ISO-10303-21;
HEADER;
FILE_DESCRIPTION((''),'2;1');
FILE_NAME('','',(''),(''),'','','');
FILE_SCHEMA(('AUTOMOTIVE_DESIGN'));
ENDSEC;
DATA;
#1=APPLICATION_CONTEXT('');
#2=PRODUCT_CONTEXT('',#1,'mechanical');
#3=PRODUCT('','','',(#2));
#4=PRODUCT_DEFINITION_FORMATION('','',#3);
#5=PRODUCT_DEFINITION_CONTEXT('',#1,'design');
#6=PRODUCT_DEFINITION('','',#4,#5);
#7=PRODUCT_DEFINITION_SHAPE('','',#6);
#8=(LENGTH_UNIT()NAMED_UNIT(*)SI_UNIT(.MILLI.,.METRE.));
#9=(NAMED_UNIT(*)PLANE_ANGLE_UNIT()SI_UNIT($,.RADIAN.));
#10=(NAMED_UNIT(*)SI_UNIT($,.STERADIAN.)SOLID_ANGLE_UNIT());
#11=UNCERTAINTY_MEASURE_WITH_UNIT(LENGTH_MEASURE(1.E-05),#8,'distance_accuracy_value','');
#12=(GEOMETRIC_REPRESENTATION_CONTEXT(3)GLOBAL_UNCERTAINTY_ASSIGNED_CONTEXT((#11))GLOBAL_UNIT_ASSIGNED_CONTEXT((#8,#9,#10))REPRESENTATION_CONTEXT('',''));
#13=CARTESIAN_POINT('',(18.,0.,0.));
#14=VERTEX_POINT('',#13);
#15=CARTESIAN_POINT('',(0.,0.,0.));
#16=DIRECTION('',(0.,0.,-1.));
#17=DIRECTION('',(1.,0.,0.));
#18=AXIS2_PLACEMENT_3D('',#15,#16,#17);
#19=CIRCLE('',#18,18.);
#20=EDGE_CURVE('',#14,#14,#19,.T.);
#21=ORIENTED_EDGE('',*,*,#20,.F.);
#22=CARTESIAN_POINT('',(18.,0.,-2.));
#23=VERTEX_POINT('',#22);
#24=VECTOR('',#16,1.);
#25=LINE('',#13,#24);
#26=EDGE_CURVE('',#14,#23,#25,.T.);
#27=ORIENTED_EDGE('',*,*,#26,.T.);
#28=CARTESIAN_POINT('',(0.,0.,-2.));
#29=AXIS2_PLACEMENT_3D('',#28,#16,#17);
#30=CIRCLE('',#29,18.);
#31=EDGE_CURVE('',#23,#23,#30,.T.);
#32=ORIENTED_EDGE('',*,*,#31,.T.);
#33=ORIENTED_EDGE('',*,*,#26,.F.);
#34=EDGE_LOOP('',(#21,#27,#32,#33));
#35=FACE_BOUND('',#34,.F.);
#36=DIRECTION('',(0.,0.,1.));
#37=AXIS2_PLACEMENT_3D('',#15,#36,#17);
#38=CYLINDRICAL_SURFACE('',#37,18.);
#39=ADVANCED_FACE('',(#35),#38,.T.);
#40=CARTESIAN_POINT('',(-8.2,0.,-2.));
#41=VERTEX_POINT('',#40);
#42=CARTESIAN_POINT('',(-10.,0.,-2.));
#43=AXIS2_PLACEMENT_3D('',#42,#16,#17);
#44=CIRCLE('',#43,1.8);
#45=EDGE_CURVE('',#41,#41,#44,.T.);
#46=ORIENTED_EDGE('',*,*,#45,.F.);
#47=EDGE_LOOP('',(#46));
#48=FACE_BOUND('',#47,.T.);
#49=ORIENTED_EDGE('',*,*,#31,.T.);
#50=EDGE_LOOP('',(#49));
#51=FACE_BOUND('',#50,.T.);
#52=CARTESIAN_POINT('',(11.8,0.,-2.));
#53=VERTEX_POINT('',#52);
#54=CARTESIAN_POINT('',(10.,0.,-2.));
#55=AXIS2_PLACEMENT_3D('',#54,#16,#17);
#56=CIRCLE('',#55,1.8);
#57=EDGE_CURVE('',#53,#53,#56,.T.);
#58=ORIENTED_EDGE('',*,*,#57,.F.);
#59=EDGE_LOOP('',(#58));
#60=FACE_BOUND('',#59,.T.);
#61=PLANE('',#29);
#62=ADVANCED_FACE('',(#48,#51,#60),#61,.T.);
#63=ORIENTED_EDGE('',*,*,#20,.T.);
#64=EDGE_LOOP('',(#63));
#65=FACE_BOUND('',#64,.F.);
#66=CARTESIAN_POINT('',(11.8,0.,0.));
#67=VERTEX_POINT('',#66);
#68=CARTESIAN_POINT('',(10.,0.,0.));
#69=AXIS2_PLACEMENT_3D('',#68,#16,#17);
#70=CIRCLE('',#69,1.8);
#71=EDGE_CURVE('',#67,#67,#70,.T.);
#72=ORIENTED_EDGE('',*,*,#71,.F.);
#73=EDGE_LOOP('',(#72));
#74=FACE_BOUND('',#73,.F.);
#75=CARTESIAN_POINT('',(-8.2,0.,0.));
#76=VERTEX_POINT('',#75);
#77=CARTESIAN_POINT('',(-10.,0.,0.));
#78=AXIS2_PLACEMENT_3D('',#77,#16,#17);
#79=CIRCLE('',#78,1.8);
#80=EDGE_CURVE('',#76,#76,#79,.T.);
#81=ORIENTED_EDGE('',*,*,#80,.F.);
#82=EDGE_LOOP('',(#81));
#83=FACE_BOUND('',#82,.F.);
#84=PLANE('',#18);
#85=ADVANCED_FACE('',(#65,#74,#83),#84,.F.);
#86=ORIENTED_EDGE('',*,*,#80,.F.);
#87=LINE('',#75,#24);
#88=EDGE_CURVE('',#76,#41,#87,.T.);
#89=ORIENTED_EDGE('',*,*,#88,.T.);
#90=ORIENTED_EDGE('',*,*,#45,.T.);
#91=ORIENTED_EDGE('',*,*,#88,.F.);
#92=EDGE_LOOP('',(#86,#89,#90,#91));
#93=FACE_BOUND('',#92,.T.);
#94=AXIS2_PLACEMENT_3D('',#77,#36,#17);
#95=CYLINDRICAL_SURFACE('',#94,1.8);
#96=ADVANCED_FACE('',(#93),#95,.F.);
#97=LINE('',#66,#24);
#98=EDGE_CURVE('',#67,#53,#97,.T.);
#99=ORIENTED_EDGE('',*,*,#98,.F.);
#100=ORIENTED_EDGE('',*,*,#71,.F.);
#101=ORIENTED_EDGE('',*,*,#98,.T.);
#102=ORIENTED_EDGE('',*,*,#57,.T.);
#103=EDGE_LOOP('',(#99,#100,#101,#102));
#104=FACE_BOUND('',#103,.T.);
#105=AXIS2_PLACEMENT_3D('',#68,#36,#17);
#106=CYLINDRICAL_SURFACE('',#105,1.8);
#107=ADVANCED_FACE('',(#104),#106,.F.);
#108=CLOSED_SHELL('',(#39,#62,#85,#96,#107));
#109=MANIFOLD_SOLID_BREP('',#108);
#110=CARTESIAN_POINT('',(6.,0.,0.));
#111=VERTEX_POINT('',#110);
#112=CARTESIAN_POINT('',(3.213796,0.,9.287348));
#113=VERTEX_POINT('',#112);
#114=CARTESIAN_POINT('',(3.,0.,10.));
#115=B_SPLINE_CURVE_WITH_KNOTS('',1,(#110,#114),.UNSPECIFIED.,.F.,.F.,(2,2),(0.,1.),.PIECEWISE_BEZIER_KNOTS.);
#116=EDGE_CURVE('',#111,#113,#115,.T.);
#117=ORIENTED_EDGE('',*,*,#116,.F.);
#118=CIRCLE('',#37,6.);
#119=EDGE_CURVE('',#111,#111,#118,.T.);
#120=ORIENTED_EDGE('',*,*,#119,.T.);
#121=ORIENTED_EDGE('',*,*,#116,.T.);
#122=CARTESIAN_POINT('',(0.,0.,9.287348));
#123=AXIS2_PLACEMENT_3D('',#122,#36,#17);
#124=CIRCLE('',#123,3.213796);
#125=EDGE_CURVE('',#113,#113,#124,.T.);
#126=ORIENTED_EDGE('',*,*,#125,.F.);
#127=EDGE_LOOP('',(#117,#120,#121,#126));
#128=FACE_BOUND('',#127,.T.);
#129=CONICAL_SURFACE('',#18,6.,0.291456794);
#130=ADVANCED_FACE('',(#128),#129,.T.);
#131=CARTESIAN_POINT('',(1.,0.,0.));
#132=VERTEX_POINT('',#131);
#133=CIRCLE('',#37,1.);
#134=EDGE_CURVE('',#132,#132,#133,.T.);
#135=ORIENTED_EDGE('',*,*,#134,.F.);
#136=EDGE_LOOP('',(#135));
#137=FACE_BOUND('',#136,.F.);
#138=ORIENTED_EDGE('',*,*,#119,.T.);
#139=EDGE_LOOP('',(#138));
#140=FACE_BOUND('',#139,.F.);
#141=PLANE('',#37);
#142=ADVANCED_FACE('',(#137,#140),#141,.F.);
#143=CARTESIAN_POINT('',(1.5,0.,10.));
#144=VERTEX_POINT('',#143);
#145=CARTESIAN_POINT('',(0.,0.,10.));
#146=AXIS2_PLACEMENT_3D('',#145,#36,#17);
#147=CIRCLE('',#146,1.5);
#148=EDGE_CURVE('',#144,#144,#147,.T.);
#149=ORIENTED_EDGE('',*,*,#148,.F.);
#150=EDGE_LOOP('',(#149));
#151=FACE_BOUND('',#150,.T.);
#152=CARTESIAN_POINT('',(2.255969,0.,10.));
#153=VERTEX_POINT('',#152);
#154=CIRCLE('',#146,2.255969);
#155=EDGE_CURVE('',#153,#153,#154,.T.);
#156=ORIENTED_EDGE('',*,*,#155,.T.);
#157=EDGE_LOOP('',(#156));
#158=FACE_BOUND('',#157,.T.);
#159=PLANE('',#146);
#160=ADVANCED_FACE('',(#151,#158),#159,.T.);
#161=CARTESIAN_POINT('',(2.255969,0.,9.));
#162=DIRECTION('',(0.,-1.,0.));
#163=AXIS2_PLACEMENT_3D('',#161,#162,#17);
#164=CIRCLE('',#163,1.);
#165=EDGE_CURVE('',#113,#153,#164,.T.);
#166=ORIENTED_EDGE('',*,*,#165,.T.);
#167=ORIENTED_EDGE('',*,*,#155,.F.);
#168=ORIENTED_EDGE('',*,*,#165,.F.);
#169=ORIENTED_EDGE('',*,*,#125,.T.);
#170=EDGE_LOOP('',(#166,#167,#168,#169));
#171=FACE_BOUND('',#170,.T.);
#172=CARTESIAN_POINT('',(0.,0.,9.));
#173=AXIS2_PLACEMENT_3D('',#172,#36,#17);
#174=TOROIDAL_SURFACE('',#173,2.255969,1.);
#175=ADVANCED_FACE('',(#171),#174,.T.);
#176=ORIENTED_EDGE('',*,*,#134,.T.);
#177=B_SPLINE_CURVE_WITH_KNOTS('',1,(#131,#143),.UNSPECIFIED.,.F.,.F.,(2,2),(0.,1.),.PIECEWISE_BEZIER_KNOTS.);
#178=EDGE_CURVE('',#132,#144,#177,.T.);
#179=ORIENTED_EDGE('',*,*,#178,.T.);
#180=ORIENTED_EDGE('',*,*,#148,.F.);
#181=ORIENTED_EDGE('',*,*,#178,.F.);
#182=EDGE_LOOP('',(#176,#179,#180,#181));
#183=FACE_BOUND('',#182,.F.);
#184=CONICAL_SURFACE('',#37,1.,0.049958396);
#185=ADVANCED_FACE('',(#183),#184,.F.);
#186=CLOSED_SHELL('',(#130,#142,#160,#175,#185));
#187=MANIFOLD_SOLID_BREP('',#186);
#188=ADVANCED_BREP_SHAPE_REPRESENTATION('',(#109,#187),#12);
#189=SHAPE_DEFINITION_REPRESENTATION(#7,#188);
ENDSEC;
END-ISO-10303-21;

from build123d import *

# Parameters (mm, degrees)
SKETCH004_R   = 18
SKETCH004_R_2 = 1.8
PAD_DEPTH     = 2
SKETCH_R      = 1
SKETCH001_R   = 1.5
SKETCH002_R   = 6
SKETCH003_R   = 3
FILLET_R      = 1


with BuildPart() as pad:
    # Sketch004 → Pad (new body)
    with BuildSketch(Plane(origin=(0, 0, 0), x_dir=(1, 0, 0), z_dir=(0, 0, -1))):
        Circle(SKETCH004_R)
        with Locations((-10, 0)):
            Circle(SKETCH004_R_2, mode=Mode.SUBTRACT)
        with Locations((10, 0)):
            Circle(SKETCH004_R_2, mode=Mode.SUBTRACT)
    extrude(amount=PAD_DEPTH)


with BuildPart() as loft_body:
    # Sketch → Loft section 0
    with BuildSketch(Plane.XY):
        Circle(SKETCH_R)
    # Sketch001 → Loft section 1
    with BuildSketch(Plane.XY.offset(10)):
        Circle(SKETCH001_R)
    loft()


with BuildPart() as fillet_body:
    # Sketch002 → Loft001 section 0
    with BuildSketch(Plane.XY):
        Circle(SKETCH002_R)
    # Sketch003 → Loft001 section 1
    with BuildSketch(Plane.XY.offset(10)):
        Circle(SKETCH003_R)
    loft()

    # Cut: cut Loft body
    add(loft_body.part, mode=Mode.SUBTRACT)

    # Fillet
    fillet_edges = [fillet_body.edges().sort_by_distance(p)[0] for p in [
        (-3, 0, 10),
    ]]
    fillet(fillet_edges, radius=FILLET_R)


solid = Compound([pad.part, fillet_body.part])
